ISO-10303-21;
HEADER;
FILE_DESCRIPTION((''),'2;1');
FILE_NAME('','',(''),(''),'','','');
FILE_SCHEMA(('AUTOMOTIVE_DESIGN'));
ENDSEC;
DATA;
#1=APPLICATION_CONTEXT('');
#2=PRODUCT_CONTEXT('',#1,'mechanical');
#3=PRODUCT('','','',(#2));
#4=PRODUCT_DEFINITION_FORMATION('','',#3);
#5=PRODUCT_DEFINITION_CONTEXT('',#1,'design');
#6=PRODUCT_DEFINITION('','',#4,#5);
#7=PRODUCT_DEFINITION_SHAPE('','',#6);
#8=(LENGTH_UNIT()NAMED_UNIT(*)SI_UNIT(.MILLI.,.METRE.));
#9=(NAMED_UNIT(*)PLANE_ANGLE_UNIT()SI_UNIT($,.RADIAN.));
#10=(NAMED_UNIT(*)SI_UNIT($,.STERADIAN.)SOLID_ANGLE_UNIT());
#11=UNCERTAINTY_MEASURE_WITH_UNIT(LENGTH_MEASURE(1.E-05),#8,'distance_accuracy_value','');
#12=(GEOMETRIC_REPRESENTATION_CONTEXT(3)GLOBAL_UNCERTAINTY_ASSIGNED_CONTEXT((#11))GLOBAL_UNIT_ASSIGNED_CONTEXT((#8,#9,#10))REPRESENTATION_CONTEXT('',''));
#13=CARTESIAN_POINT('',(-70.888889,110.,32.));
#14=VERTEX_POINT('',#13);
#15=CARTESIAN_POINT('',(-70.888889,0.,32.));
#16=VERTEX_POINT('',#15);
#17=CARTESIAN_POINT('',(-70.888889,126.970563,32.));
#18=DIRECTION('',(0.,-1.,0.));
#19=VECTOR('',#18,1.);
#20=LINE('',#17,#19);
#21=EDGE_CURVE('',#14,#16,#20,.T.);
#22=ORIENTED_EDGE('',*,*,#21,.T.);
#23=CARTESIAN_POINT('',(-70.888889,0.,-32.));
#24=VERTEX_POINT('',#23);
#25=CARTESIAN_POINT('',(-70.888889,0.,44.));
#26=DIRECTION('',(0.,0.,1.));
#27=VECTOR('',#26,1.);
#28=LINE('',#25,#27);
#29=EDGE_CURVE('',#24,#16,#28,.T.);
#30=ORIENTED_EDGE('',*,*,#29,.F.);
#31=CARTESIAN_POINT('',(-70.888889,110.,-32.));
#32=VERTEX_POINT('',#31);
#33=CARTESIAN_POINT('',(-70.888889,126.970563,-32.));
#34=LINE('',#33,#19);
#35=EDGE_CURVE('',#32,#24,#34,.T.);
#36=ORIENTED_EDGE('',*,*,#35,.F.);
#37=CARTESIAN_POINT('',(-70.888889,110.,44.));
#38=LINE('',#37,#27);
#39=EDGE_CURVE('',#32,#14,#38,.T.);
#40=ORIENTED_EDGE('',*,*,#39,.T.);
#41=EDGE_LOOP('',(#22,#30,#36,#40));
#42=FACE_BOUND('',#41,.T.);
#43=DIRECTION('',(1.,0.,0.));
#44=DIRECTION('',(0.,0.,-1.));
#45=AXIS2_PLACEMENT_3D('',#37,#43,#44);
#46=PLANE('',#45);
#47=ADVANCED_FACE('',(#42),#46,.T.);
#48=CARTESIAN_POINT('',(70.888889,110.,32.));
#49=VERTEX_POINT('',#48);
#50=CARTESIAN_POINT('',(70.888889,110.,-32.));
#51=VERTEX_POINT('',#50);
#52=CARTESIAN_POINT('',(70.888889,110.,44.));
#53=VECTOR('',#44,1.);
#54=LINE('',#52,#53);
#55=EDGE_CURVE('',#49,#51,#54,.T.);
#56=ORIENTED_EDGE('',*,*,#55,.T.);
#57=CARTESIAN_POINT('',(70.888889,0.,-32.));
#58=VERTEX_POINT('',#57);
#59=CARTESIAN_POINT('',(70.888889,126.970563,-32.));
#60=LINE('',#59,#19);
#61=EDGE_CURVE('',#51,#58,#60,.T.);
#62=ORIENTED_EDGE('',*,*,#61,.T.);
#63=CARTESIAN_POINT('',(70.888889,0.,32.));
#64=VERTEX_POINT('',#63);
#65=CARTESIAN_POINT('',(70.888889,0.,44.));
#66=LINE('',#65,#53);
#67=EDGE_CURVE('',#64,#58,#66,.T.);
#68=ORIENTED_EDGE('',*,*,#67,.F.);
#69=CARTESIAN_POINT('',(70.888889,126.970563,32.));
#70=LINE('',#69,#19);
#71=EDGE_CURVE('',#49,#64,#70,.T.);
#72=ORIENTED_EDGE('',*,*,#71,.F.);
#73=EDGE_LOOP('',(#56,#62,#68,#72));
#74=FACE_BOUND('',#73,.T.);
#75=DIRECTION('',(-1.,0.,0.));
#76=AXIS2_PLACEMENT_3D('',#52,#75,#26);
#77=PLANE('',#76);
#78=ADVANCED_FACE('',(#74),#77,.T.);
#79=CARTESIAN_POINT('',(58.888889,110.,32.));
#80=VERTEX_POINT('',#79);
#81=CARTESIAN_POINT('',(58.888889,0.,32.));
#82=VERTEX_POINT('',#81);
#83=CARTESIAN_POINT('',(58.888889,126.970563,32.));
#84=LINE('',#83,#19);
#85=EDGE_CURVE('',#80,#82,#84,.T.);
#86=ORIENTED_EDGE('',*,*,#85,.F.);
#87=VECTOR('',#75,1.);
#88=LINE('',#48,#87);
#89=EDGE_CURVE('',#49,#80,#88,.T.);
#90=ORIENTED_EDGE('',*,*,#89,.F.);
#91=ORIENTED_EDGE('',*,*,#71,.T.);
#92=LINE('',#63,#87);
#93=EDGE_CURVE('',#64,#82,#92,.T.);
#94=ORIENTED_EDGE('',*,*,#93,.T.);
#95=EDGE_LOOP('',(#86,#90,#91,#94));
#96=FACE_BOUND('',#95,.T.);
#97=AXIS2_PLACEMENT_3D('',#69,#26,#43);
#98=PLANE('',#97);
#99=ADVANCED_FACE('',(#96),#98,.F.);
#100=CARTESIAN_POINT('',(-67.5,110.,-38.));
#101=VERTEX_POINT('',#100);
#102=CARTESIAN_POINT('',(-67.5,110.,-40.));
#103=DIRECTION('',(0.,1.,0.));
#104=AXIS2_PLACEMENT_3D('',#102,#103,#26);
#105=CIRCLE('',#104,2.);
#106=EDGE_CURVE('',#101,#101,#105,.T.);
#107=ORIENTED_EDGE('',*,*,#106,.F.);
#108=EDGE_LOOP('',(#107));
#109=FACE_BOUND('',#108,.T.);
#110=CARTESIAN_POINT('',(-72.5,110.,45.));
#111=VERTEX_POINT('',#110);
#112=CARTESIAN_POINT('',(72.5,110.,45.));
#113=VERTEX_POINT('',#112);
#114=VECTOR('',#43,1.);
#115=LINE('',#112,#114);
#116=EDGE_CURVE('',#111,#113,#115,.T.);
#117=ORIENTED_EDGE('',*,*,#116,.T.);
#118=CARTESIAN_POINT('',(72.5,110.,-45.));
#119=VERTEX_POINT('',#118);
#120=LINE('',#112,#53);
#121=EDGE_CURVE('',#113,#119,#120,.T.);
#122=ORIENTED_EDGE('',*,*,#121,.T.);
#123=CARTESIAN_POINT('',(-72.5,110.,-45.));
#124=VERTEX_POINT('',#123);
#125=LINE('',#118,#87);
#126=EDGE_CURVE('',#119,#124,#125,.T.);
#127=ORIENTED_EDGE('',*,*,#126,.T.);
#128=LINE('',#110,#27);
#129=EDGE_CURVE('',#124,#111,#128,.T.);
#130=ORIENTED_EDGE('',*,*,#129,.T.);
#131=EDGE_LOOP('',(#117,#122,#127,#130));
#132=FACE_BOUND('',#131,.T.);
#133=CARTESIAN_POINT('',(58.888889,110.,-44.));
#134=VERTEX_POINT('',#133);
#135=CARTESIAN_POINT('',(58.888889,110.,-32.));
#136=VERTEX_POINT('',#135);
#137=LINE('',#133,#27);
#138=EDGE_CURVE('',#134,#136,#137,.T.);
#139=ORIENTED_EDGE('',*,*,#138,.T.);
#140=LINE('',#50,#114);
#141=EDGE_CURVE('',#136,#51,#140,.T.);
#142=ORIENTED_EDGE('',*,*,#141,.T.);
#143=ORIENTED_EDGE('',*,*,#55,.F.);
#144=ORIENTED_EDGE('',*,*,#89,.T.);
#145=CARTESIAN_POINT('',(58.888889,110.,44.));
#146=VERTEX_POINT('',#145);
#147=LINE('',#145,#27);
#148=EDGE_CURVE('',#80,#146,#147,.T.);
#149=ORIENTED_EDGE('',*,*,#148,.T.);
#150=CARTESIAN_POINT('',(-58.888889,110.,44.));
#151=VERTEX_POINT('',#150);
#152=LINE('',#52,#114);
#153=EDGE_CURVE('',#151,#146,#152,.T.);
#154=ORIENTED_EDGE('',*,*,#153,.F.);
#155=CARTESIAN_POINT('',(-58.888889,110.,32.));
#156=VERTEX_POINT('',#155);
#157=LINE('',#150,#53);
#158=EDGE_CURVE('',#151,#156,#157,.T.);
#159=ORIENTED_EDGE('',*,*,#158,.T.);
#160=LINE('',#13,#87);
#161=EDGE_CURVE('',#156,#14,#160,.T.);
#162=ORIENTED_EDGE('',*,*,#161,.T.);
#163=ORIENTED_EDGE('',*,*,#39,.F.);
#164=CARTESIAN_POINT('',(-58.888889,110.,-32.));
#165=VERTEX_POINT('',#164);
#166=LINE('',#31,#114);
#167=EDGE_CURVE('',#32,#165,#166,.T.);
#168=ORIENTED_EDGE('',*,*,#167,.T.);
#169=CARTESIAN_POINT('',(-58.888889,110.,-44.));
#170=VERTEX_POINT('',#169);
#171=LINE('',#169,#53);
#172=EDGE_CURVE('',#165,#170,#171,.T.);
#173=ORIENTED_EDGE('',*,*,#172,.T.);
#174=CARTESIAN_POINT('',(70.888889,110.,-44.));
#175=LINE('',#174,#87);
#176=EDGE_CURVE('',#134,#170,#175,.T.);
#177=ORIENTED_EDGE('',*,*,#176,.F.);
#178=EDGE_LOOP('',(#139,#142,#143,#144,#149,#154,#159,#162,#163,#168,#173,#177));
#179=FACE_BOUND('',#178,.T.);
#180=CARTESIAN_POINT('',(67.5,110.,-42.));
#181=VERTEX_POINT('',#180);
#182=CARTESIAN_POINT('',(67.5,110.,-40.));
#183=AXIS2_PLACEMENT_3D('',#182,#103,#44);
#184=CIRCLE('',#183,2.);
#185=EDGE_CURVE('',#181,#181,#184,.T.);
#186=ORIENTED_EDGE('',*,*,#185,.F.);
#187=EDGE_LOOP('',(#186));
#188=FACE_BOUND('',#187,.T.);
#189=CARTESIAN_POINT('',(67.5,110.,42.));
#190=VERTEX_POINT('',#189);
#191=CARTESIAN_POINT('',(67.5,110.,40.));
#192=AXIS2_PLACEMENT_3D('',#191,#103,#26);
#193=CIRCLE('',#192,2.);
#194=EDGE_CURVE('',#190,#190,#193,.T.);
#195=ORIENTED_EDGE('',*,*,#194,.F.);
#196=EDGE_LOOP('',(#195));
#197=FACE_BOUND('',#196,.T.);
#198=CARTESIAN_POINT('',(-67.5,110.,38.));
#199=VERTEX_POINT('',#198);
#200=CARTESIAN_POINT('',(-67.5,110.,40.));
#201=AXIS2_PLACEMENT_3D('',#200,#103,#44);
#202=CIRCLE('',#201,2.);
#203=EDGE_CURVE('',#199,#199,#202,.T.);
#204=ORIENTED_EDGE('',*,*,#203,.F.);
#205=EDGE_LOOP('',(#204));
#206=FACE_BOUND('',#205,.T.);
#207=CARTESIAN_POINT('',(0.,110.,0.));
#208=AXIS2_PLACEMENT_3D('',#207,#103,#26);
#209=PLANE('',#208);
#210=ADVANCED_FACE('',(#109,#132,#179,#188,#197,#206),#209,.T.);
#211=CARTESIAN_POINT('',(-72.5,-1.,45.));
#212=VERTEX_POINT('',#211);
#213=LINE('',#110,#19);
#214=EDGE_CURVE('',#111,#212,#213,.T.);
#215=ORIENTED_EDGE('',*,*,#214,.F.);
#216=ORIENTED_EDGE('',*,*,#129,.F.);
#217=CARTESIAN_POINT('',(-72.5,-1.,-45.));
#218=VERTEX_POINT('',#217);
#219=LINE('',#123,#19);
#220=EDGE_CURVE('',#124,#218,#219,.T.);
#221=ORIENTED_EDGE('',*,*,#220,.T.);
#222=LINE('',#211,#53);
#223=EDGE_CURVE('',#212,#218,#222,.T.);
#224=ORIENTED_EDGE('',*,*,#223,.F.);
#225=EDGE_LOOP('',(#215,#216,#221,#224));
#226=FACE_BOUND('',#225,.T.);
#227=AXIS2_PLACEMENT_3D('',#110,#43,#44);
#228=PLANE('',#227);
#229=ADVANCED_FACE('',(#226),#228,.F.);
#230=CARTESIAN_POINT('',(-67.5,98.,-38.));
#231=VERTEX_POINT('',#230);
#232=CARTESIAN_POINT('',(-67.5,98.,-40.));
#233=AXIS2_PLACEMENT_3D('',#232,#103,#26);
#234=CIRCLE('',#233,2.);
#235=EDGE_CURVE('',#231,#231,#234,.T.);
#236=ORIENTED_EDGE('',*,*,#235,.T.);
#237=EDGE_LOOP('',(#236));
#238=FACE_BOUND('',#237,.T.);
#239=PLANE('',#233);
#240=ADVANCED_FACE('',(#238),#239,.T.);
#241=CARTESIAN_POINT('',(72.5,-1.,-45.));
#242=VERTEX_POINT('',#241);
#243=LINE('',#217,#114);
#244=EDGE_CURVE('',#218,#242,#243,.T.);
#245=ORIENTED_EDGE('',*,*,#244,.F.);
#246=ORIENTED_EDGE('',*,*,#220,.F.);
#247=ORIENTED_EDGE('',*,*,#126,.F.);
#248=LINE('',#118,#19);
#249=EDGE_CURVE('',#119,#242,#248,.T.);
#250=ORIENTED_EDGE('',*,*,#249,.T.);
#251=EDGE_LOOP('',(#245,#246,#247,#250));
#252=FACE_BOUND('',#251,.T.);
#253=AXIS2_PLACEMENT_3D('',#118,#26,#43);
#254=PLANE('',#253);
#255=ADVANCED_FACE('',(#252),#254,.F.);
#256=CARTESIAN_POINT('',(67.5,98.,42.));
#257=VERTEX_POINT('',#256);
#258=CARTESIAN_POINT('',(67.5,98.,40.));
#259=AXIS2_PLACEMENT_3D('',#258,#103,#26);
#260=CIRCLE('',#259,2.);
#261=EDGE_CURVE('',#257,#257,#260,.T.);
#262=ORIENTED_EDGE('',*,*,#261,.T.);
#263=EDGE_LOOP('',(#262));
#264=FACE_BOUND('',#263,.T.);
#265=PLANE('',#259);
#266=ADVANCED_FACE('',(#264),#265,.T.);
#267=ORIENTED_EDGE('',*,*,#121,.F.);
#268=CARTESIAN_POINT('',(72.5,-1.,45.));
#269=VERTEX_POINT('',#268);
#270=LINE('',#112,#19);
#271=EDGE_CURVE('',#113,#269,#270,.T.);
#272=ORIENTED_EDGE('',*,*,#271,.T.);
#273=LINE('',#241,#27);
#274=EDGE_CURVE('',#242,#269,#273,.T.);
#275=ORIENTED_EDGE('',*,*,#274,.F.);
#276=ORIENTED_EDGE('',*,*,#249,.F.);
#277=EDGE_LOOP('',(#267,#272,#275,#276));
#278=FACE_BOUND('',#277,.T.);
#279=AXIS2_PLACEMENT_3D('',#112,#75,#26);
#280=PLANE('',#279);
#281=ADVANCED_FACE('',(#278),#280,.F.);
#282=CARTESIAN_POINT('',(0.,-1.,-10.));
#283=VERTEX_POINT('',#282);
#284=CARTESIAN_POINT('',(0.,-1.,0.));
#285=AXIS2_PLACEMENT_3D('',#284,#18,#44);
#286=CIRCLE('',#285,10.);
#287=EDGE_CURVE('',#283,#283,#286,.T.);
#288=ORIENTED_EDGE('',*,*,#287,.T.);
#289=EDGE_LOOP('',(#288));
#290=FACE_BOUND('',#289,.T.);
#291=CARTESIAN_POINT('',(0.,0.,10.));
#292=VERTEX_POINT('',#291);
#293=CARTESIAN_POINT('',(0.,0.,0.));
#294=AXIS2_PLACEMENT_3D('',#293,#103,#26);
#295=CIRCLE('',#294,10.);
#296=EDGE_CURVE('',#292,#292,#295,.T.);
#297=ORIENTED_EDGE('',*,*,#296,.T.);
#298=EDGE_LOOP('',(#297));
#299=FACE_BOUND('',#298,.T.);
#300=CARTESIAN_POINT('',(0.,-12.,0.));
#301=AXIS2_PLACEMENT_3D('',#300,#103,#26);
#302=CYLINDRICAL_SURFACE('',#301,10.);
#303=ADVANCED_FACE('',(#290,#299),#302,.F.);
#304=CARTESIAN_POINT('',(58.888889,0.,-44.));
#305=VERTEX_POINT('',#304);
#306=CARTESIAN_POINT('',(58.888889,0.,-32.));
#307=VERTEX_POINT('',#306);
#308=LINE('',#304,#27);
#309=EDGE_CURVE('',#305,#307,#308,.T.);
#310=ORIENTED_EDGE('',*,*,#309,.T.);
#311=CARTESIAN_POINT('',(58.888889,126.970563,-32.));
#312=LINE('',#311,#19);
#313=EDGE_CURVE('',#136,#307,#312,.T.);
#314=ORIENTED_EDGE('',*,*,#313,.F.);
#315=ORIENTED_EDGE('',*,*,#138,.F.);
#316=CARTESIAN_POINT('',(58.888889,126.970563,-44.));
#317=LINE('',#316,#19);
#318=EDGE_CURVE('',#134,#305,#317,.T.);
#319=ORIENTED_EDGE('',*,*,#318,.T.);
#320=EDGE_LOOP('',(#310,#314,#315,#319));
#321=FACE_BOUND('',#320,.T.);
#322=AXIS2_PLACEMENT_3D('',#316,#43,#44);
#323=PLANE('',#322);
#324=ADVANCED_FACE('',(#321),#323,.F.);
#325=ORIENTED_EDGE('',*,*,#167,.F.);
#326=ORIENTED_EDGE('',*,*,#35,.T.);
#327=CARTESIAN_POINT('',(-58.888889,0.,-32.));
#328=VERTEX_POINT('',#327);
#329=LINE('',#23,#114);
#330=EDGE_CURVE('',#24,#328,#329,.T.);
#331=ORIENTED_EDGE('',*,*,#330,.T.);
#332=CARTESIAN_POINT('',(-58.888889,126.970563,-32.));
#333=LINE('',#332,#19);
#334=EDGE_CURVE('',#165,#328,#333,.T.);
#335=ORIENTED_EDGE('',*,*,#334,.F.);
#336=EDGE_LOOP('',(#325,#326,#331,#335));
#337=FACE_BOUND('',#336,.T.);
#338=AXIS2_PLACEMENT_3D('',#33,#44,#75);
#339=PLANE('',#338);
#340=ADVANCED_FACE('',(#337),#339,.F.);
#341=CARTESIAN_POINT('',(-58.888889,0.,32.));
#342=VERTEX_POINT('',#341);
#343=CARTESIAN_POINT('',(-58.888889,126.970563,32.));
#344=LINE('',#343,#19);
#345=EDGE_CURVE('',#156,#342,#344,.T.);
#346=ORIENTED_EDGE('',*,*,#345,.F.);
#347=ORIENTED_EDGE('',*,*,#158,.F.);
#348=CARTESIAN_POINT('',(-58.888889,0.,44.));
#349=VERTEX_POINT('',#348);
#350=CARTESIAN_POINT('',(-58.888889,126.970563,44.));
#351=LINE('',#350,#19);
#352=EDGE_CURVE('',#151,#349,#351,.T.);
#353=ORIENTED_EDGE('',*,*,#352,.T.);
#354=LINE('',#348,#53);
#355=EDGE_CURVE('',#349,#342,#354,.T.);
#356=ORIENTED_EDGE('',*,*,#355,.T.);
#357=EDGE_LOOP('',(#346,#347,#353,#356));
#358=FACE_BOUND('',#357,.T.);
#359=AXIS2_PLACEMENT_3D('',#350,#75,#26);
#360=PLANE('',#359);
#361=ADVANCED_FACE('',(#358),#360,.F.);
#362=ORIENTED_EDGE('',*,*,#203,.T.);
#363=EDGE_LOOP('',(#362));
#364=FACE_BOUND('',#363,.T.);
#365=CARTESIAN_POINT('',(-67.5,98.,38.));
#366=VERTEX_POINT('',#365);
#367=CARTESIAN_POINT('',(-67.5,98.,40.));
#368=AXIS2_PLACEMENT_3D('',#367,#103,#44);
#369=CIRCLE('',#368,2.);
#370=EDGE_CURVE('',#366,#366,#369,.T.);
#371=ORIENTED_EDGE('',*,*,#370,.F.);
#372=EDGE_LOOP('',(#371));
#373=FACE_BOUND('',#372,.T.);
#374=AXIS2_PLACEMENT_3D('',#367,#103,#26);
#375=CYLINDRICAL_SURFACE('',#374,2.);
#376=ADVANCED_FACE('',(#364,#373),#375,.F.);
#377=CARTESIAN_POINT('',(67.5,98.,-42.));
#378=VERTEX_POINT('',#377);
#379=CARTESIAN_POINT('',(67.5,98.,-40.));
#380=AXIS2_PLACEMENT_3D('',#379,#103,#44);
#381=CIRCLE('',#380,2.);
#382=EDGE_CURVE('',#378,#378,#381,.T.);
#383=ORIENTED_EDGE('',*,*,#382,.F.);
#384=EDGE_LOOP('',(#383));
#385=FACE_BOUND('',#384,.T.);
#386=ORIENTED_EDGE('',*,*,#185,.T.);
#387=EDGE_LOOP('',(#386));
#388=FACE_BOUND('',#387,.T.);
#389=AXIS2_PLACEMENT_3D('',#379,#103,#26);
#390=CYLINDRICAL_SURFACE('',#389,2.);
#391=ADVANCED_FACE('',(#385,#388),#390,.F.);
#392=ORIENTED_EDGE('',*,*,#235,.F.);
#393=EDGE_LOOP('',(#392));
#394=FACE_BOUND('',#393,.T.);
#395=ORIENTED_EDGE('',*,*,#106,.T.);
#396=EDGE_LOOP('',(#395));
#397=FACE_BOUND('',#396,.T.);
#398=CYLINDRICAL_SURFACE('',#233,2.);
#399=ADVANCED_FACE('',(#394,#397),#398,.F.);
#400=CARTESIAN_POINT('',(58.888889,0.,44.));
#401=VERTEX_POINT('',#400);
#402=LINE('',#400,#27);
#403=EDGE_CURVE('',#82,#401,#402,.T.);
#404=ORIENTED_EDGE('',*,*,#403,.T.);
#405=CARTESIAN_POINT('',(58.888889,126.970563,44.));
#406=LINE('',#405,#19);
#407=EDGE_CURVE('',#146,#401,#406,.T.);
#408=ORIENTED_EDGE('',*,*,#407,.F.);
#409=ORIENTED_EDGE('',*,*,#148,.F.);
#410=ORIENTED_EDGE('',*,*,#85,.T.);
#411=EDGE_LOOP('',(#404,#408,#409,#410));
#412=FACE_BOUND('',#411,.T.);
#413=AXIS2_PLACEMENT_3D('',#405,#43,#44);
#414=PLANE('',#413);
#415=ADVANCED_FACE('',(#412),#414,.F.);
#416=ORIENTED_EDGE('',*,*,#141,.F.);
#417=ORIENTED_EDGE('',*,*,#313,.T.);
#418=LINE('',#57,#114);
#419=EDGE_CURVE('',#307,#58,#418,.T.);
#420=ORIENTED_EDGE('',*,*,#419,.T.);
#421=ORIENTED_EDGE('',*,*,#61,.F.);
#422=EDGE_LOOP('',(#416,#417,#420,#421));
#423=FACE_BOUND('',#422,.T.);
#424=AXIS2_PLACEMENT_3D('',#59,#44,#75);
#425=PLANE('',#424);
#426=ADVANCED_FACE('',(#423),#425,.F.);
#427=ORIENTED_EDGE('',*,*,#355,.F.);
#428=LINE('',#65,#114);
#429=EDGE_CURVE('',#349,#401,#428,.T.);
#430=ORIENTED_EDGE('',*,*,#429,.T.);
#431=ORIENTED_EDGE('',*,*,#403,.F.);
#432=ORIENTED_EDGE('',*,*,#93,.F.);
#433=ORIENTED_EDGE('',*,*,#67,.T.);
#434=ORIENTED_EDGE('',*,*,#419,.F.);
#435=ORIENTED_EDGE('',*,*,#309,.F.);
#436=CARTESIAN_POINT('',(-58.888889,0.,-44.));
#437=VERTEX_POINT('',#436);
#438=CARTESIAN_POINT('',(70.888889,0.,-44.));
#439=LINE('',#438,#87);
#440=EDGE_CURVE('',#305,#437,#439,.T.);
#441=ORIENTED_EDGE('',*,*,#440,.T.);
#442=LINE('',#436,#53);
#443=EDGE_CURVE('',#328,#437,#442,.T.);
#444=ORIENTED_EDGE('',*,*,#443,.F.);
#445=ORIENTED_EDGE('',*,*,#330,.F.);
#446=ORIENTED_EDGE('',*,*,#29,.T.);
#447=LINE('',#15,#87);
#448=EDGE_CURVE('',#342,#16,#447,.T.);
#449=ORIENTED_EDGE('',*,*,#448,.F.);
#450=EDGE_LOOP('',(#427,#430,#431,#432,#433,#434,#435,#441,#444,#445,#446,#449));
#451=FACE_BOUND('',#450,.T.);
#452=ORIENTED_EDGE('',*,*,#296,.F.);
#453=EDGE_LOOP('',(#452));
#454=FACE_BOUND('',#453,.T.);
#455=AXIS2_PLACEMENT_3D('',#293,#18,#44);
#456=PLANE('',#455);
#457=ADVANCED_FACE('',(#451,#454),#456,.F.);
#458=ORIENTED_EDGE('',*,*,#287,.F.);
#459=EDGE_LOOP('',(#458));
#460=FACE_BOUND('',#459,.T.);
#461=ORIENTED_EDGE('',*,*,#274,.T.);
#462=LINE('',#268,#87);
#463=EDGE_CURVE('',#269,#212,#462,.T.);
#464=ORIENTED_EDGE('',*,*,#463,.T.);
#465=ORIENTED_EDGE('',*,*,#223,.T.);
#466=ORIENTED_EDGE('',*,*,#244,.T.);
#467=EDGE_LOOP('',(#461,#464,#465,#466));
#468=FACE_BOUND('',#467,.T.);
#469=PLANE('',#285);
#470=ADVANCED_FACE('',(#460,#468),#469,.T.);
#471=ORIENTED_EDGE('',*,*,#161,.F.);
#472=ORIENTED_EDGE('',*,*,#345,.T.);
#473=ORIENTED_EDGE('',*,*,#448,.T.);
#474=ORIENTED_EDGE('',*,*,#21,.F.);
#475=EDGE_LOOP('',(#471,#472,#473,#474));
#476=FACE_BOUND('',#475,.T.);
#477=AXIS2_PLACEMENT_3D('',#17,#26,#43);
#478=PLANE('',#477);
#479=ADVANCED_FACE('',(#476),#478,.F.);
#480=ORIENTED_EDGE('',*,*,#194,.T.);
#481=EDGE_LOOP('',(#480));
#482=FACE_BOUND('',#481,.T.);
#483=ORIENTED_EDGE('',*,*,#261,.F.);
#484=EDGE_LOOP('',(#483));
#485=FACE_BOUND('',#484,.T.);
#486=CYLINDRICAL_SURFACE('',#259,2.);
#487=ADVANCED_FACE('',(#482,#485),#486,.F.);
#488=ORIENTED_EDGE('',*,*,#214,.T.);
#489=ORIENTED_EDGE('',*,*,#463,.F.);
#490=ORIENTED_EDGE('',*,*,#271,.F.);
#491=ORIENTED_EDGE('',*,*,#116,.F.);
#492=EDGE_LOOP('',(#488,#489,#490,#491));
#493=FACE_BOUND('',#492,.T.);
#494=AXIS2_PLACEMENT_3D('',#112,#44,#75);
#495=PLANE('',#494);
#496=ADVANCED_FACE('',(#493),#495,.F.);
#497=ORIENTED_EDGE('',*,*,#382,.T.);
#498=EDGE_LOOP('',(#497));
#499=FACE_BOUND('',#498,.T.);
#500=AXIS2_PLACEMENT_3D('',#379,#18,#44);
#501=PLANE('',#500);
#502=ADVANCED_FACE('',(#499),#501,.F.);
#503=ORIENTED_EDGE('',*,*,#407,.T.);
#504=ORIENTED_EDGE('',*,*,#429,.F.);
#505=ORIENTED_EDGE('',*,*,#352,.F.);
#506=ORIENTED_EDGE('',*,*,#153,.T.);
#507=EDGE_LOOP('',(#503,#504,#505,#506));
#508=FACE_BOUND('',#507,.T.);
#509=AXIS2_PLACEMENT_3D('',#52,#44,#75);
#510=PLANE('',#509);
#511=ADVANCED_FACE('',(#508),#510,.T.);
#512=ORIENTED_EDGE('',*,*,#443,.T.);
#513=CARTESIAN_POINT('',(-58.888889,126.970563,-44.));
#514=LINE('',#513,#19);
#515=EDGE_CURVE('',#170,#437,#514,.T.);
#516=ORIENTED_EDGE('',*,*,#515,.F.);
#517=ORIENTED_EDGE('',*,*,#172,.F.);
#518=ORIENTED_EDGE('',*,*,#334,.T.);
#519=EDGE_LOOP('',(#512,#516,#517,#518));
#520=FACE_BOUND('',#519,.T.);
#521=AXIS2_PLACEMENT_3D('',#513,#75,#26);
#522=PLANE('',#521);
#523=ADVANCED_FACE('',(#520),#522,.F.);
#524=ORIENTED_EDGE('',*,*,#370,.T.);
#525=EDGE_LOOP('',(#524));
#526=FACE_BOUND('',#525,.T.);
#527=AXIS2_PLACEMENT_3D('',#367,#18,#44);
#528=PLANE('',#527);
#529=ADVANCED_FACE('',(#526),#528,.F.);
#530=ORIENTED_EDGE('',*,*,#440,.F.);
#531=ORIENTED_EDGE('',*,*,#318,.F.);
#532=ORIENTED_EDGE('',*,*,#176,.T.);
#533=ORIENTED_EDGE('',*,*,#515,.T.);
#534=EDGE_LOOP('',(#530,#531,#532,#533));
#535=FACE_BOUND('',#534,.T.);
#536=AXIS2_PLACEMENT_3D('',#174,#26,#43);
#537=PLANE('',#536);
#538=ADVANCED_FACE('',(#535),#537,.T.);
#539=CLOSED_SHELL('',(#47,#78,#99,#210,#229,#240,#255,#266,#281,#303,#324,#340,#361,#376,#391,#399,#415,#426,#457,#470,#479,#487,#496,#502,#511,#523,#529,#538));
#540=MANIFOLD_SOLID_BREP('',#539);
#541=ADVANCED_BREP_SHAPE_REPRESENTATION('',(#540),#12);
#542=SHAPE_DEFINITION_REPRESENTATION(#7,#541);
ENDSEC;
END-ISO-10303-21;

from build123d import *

# Parameters (mm, degrees)
SKETCH3_W           = 145
SKETCH3_H           = 90
SKETCH3_W_2         = 141.777777778
SKETCH3_H_2         = 88
BOSS_EXTRUDE1_DEPTH = 110
SKETCH4_W           = 145
SKETCH4_H           = 90
BOSS_EXTRUDE2_DEPTH = 1
SKETCH5_W           = 12
SKETCH5_H           = 12
BOSS_EXTRUDE3_DEPTH = 110
SKETCH6_R           = 2
CUT_EXTRUDE1_DEPTH  = 12
SKETCH7_R           = 10
CUT_EXTRUDE2_DEPTH  = 12


with BuildPart() as part:
    # Sketch3 → Boss-Extrude1 (new body)
    with BuildSketch(Plane(origin=(0, 0, 0), x_dir=(1, 0, 0), z_dir=(0, 1, 0))):
        Rectangle(SKETCH3_W, SKETCH3_H)
        Rectangle(SKETCH3_W_2, SKETCH3_H_2, mode=Mode.SUBTRACT)
    extrude(amount=BOSS_EXTRUDE1_DEPTH)

    # Sketch4 → Boss-Extrude2 (add)
    with BuildSketch(Plane.XZ):
        Rectangle(SKETCH4_W, SKETCH4_H)
    extrude(amount=BOSS_EXTRUDE2_DEPTH)

    # Sketch5 → Boss-Extrude3 (add)
    with BuildSketch(Plane(origin=(0, 0, 0), x_dir=(1, 0, 0), z_dir=(0, 1, 0))):
        with Locations((-64.888888889, 38)):
            Rectangle(SKETCH5_W, SKETCH5_H)
        with Locations((64.888888889, 38)):
            Rectangle(SKETCH5_W, SKETCH5_H)
        with Locations((64.888888889, -38)):
            Rectangle(SKETCH5_W, SKETCH5_H)
        with Locations((-64.888888889, -38)):
            Rectangle(SKETCH5_W, SKETCH5_H)
    extrude(amount=BOSS_EXTRUDE3_DEPTH)

    # Sketch6 → Cut-Extrude1 (cut)
    with BuildSketch(Plane(origin=(0, 110, 0), x_dir=(1, 0, 0), z_dir=(0, 1, 0))):
        with Locations((-67.5, 40)):
            Circle(SKETCH6_R)
        with Locations((-67.5, -40)):
            Circle(SKETCH6_R)
        with Locations((67.5, -40)):
            Circle(SKETCH6_R)
        with Locations((67.5, 40)):
            Circle(SKETCH6_R)
    extrude(amount=-CUT_EXTRUDE1_DEPTH, mode=Mode.SUBTRACT)

    # Sketch7 → Cut-Extrude2 (cut)
    with BuildSketch(Plane(origin=(0, 0, 0), x_dir=(1, 0, 0), z_dir=(0, 1, 0))):
        Circle(SKETCH7_R)
    extrude(amount=-CUT_EXTRUDE2_DEPTH, mode=Mode.SUBTRACT)


solid = part.part
